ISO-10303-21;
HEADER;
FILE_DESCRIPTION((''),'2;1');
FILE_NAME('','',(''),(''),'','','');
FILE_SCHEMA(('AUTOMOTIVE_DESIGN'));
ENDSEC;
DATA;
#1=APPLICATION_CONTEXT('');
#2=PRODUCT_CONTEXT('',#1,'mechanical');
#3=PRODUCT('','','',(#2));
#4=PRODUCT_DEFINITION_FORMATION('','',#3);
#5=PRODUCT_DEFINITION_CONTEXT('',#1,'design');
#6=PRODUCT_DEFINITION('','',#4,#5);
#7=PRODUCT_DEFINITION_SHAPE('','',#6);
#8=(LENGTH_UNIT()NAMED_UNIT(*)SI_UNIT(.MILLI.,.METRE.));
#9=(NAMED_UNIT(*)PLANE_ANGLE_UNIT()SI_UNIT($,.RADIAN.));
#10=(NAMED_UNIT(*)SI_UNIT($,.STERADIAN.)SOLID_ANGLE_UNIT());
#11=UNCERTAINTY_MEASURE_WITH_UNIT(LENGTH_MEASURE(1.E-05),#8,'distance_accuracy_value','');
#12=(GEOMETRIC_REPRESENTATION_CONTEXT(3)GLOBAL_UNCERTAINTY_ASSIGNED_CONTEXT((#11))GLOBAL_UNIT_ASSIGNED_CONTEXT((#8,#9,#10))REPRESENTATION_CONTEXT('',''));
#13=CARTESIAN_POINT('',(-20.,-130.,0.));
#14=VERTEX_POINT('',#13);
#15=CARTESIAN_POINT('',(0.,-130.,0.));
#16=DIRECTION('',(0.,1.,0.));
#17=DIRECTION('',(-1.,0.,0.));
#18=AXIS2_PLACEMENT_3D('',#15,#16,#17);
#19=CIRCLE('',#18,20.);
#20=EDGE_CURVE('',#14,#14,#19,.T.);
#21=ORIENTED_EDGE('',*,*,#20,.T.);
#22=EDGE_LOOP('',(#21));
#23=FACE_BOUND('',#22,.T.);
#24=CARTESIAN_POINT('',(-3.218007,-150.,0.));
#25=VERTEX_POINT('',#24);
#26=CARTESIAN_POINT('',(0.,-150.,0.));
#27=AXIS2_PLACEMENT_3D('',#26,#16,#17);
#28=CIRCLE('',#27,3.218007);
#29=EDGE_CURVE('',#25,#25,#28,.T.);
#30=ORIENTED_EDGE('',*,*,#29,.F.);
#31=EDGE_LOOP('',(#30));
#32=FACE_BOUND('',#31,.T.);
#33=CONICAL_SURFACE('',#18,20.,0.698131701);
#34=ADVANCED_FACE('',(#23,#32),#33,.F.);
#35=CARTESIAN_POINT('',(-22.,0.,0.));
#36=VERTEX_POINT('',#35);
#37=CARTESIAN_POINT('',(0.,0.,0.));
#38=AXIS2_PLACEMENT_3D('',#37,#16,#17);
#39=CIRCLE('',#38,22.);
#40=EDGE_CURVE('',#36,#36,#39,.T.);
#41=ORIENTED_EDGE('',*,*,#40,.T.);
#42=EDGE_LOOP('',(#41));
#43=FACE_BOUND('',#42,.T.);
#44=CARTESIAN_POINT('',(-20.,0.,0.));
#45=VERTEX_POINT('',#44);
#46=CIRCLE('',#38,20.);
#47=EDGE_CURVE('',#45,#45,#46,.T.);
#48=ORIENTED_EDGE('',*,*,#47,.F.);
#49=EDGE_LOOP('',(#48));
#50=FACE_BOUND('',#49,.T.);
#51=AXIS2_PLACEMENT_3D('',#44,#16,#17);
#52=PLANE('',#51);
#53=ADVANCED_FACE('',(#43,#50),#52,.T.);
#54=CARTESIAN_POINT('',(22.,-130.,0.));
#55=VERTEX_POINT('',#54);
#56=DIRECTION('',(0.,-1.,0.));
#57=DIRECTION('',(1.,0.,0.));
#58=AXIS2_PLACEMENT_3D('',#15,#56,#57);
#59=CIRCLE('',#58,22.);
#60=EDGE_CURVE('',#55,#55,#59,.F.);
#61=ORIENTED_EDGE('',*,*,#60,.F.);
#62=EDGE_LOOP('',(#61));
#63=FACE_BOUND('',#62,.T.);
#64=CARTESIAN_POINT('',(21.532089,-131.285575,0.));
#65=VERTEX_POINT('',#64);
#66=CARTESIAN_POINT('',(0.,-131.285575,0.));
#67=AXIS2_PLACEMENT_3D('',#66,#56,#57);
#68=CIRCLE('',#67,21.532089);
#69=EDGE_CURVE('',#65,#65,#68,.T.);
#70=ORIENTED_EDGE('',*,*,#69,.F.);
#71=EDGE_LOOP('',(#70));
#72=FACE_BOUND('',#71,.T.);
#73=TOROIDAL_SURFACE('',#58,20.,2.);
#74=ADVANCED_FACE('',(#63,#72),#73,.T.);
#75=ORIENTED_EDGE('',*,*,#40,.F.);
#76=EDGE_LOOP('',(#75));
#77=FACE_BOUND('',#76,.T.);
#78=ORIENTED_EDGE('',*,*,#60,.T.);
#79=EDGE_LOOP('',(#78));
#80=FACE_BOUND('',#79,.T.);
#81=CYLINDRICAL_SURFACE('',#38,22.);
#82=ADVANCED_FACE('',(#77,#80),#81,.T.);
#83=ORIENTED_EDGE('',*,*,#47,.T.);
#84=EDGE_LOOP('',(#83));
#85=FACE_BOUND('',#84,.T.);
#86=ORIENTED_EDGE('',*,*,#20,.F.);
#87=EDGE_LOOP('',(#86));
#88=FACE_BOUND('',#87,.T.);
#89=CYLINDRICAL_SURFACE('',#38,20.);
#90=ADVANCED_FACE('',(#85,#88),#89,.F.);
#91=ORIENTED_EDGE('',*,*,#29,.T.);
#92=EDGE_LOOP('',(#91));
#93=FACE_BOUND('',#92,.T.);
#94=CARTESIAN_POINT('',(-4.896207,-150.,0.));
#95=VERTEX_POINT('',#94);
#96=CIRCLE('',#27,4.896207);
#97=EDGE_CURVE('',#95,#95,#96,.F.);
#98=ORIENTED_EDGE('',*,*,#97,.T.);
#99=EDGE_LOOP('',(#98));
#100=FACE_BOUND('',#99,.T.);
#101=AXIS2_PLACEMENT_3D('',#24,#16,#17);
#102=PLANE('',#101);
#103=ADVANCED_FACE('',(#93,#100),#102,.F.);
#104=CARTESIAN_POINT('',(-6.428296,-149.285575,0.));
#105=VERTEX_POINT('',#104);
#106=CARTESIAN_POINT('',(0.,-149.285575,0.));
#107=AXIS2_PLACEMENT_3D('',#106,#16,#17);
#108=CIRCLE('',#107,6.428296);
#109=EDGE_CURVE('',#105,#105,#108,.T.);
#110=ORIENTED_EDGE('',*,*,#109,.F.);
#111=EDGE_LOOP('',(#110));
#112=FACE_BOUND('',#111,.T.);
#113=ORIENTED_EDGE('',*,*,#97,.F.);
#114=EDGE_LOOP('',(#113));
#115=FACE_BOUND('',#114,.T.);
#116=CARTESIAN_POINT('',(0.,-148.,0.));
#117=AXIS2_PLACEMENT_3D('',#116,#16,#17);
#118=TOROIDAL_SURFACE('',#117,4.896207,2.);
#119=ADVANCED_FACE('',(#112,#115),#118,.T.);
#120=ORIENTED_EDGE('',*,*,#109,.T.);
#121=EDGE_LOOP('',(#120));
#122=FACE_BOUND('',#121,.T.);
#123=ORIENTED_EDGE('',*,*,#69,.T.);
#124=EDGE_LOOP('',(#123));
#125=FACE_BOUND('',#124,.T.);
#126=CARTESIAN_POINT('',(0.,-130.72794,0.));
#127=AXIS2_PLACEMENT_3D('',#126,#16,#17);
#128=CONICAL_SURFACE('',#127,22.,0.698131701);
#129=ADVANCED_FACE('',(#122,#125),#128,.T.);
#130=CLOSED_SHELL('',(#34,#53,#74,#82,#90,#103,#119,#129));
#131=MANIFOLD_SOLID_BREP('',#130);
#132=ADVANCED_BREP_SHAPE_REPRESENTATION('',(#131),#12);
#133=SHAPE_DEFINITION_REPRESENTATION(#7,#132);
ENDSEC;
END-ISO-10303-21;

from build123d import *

# Parameters (mm, degrees)
FILLET1_R = 2
FILLET3_R = 2


with BuildPart() as part:
    # Sketch1 → Revolve1 (revolve)
    with BuildSketch(Plane.XY):
        Polygon((-22, 0), (-22, -130.727940469), (-5.828821955, -150), (-3.218007376, -150), (-20, -130), (-20, 0), align=None)
    revolve(axis=Axis((0, 0, 0), (0, -1, 0)))

    # Fillet1
    fillet1_edges = [part.edges().sort_by_distance(p)[0] for p in [
        (22, -130.727940469, 0),
    ]]
    fillet(fillet1_edges, radius=FILLET1_R)

    # Fillet3
    fillet3_edges = [part.edges().sort_by_distance(p)[0] for p in [
        (5.828821955, -150, 0),
    ]]
    fillet(fillet3_edges, radius=FILLET3_R)


solid = part.part
